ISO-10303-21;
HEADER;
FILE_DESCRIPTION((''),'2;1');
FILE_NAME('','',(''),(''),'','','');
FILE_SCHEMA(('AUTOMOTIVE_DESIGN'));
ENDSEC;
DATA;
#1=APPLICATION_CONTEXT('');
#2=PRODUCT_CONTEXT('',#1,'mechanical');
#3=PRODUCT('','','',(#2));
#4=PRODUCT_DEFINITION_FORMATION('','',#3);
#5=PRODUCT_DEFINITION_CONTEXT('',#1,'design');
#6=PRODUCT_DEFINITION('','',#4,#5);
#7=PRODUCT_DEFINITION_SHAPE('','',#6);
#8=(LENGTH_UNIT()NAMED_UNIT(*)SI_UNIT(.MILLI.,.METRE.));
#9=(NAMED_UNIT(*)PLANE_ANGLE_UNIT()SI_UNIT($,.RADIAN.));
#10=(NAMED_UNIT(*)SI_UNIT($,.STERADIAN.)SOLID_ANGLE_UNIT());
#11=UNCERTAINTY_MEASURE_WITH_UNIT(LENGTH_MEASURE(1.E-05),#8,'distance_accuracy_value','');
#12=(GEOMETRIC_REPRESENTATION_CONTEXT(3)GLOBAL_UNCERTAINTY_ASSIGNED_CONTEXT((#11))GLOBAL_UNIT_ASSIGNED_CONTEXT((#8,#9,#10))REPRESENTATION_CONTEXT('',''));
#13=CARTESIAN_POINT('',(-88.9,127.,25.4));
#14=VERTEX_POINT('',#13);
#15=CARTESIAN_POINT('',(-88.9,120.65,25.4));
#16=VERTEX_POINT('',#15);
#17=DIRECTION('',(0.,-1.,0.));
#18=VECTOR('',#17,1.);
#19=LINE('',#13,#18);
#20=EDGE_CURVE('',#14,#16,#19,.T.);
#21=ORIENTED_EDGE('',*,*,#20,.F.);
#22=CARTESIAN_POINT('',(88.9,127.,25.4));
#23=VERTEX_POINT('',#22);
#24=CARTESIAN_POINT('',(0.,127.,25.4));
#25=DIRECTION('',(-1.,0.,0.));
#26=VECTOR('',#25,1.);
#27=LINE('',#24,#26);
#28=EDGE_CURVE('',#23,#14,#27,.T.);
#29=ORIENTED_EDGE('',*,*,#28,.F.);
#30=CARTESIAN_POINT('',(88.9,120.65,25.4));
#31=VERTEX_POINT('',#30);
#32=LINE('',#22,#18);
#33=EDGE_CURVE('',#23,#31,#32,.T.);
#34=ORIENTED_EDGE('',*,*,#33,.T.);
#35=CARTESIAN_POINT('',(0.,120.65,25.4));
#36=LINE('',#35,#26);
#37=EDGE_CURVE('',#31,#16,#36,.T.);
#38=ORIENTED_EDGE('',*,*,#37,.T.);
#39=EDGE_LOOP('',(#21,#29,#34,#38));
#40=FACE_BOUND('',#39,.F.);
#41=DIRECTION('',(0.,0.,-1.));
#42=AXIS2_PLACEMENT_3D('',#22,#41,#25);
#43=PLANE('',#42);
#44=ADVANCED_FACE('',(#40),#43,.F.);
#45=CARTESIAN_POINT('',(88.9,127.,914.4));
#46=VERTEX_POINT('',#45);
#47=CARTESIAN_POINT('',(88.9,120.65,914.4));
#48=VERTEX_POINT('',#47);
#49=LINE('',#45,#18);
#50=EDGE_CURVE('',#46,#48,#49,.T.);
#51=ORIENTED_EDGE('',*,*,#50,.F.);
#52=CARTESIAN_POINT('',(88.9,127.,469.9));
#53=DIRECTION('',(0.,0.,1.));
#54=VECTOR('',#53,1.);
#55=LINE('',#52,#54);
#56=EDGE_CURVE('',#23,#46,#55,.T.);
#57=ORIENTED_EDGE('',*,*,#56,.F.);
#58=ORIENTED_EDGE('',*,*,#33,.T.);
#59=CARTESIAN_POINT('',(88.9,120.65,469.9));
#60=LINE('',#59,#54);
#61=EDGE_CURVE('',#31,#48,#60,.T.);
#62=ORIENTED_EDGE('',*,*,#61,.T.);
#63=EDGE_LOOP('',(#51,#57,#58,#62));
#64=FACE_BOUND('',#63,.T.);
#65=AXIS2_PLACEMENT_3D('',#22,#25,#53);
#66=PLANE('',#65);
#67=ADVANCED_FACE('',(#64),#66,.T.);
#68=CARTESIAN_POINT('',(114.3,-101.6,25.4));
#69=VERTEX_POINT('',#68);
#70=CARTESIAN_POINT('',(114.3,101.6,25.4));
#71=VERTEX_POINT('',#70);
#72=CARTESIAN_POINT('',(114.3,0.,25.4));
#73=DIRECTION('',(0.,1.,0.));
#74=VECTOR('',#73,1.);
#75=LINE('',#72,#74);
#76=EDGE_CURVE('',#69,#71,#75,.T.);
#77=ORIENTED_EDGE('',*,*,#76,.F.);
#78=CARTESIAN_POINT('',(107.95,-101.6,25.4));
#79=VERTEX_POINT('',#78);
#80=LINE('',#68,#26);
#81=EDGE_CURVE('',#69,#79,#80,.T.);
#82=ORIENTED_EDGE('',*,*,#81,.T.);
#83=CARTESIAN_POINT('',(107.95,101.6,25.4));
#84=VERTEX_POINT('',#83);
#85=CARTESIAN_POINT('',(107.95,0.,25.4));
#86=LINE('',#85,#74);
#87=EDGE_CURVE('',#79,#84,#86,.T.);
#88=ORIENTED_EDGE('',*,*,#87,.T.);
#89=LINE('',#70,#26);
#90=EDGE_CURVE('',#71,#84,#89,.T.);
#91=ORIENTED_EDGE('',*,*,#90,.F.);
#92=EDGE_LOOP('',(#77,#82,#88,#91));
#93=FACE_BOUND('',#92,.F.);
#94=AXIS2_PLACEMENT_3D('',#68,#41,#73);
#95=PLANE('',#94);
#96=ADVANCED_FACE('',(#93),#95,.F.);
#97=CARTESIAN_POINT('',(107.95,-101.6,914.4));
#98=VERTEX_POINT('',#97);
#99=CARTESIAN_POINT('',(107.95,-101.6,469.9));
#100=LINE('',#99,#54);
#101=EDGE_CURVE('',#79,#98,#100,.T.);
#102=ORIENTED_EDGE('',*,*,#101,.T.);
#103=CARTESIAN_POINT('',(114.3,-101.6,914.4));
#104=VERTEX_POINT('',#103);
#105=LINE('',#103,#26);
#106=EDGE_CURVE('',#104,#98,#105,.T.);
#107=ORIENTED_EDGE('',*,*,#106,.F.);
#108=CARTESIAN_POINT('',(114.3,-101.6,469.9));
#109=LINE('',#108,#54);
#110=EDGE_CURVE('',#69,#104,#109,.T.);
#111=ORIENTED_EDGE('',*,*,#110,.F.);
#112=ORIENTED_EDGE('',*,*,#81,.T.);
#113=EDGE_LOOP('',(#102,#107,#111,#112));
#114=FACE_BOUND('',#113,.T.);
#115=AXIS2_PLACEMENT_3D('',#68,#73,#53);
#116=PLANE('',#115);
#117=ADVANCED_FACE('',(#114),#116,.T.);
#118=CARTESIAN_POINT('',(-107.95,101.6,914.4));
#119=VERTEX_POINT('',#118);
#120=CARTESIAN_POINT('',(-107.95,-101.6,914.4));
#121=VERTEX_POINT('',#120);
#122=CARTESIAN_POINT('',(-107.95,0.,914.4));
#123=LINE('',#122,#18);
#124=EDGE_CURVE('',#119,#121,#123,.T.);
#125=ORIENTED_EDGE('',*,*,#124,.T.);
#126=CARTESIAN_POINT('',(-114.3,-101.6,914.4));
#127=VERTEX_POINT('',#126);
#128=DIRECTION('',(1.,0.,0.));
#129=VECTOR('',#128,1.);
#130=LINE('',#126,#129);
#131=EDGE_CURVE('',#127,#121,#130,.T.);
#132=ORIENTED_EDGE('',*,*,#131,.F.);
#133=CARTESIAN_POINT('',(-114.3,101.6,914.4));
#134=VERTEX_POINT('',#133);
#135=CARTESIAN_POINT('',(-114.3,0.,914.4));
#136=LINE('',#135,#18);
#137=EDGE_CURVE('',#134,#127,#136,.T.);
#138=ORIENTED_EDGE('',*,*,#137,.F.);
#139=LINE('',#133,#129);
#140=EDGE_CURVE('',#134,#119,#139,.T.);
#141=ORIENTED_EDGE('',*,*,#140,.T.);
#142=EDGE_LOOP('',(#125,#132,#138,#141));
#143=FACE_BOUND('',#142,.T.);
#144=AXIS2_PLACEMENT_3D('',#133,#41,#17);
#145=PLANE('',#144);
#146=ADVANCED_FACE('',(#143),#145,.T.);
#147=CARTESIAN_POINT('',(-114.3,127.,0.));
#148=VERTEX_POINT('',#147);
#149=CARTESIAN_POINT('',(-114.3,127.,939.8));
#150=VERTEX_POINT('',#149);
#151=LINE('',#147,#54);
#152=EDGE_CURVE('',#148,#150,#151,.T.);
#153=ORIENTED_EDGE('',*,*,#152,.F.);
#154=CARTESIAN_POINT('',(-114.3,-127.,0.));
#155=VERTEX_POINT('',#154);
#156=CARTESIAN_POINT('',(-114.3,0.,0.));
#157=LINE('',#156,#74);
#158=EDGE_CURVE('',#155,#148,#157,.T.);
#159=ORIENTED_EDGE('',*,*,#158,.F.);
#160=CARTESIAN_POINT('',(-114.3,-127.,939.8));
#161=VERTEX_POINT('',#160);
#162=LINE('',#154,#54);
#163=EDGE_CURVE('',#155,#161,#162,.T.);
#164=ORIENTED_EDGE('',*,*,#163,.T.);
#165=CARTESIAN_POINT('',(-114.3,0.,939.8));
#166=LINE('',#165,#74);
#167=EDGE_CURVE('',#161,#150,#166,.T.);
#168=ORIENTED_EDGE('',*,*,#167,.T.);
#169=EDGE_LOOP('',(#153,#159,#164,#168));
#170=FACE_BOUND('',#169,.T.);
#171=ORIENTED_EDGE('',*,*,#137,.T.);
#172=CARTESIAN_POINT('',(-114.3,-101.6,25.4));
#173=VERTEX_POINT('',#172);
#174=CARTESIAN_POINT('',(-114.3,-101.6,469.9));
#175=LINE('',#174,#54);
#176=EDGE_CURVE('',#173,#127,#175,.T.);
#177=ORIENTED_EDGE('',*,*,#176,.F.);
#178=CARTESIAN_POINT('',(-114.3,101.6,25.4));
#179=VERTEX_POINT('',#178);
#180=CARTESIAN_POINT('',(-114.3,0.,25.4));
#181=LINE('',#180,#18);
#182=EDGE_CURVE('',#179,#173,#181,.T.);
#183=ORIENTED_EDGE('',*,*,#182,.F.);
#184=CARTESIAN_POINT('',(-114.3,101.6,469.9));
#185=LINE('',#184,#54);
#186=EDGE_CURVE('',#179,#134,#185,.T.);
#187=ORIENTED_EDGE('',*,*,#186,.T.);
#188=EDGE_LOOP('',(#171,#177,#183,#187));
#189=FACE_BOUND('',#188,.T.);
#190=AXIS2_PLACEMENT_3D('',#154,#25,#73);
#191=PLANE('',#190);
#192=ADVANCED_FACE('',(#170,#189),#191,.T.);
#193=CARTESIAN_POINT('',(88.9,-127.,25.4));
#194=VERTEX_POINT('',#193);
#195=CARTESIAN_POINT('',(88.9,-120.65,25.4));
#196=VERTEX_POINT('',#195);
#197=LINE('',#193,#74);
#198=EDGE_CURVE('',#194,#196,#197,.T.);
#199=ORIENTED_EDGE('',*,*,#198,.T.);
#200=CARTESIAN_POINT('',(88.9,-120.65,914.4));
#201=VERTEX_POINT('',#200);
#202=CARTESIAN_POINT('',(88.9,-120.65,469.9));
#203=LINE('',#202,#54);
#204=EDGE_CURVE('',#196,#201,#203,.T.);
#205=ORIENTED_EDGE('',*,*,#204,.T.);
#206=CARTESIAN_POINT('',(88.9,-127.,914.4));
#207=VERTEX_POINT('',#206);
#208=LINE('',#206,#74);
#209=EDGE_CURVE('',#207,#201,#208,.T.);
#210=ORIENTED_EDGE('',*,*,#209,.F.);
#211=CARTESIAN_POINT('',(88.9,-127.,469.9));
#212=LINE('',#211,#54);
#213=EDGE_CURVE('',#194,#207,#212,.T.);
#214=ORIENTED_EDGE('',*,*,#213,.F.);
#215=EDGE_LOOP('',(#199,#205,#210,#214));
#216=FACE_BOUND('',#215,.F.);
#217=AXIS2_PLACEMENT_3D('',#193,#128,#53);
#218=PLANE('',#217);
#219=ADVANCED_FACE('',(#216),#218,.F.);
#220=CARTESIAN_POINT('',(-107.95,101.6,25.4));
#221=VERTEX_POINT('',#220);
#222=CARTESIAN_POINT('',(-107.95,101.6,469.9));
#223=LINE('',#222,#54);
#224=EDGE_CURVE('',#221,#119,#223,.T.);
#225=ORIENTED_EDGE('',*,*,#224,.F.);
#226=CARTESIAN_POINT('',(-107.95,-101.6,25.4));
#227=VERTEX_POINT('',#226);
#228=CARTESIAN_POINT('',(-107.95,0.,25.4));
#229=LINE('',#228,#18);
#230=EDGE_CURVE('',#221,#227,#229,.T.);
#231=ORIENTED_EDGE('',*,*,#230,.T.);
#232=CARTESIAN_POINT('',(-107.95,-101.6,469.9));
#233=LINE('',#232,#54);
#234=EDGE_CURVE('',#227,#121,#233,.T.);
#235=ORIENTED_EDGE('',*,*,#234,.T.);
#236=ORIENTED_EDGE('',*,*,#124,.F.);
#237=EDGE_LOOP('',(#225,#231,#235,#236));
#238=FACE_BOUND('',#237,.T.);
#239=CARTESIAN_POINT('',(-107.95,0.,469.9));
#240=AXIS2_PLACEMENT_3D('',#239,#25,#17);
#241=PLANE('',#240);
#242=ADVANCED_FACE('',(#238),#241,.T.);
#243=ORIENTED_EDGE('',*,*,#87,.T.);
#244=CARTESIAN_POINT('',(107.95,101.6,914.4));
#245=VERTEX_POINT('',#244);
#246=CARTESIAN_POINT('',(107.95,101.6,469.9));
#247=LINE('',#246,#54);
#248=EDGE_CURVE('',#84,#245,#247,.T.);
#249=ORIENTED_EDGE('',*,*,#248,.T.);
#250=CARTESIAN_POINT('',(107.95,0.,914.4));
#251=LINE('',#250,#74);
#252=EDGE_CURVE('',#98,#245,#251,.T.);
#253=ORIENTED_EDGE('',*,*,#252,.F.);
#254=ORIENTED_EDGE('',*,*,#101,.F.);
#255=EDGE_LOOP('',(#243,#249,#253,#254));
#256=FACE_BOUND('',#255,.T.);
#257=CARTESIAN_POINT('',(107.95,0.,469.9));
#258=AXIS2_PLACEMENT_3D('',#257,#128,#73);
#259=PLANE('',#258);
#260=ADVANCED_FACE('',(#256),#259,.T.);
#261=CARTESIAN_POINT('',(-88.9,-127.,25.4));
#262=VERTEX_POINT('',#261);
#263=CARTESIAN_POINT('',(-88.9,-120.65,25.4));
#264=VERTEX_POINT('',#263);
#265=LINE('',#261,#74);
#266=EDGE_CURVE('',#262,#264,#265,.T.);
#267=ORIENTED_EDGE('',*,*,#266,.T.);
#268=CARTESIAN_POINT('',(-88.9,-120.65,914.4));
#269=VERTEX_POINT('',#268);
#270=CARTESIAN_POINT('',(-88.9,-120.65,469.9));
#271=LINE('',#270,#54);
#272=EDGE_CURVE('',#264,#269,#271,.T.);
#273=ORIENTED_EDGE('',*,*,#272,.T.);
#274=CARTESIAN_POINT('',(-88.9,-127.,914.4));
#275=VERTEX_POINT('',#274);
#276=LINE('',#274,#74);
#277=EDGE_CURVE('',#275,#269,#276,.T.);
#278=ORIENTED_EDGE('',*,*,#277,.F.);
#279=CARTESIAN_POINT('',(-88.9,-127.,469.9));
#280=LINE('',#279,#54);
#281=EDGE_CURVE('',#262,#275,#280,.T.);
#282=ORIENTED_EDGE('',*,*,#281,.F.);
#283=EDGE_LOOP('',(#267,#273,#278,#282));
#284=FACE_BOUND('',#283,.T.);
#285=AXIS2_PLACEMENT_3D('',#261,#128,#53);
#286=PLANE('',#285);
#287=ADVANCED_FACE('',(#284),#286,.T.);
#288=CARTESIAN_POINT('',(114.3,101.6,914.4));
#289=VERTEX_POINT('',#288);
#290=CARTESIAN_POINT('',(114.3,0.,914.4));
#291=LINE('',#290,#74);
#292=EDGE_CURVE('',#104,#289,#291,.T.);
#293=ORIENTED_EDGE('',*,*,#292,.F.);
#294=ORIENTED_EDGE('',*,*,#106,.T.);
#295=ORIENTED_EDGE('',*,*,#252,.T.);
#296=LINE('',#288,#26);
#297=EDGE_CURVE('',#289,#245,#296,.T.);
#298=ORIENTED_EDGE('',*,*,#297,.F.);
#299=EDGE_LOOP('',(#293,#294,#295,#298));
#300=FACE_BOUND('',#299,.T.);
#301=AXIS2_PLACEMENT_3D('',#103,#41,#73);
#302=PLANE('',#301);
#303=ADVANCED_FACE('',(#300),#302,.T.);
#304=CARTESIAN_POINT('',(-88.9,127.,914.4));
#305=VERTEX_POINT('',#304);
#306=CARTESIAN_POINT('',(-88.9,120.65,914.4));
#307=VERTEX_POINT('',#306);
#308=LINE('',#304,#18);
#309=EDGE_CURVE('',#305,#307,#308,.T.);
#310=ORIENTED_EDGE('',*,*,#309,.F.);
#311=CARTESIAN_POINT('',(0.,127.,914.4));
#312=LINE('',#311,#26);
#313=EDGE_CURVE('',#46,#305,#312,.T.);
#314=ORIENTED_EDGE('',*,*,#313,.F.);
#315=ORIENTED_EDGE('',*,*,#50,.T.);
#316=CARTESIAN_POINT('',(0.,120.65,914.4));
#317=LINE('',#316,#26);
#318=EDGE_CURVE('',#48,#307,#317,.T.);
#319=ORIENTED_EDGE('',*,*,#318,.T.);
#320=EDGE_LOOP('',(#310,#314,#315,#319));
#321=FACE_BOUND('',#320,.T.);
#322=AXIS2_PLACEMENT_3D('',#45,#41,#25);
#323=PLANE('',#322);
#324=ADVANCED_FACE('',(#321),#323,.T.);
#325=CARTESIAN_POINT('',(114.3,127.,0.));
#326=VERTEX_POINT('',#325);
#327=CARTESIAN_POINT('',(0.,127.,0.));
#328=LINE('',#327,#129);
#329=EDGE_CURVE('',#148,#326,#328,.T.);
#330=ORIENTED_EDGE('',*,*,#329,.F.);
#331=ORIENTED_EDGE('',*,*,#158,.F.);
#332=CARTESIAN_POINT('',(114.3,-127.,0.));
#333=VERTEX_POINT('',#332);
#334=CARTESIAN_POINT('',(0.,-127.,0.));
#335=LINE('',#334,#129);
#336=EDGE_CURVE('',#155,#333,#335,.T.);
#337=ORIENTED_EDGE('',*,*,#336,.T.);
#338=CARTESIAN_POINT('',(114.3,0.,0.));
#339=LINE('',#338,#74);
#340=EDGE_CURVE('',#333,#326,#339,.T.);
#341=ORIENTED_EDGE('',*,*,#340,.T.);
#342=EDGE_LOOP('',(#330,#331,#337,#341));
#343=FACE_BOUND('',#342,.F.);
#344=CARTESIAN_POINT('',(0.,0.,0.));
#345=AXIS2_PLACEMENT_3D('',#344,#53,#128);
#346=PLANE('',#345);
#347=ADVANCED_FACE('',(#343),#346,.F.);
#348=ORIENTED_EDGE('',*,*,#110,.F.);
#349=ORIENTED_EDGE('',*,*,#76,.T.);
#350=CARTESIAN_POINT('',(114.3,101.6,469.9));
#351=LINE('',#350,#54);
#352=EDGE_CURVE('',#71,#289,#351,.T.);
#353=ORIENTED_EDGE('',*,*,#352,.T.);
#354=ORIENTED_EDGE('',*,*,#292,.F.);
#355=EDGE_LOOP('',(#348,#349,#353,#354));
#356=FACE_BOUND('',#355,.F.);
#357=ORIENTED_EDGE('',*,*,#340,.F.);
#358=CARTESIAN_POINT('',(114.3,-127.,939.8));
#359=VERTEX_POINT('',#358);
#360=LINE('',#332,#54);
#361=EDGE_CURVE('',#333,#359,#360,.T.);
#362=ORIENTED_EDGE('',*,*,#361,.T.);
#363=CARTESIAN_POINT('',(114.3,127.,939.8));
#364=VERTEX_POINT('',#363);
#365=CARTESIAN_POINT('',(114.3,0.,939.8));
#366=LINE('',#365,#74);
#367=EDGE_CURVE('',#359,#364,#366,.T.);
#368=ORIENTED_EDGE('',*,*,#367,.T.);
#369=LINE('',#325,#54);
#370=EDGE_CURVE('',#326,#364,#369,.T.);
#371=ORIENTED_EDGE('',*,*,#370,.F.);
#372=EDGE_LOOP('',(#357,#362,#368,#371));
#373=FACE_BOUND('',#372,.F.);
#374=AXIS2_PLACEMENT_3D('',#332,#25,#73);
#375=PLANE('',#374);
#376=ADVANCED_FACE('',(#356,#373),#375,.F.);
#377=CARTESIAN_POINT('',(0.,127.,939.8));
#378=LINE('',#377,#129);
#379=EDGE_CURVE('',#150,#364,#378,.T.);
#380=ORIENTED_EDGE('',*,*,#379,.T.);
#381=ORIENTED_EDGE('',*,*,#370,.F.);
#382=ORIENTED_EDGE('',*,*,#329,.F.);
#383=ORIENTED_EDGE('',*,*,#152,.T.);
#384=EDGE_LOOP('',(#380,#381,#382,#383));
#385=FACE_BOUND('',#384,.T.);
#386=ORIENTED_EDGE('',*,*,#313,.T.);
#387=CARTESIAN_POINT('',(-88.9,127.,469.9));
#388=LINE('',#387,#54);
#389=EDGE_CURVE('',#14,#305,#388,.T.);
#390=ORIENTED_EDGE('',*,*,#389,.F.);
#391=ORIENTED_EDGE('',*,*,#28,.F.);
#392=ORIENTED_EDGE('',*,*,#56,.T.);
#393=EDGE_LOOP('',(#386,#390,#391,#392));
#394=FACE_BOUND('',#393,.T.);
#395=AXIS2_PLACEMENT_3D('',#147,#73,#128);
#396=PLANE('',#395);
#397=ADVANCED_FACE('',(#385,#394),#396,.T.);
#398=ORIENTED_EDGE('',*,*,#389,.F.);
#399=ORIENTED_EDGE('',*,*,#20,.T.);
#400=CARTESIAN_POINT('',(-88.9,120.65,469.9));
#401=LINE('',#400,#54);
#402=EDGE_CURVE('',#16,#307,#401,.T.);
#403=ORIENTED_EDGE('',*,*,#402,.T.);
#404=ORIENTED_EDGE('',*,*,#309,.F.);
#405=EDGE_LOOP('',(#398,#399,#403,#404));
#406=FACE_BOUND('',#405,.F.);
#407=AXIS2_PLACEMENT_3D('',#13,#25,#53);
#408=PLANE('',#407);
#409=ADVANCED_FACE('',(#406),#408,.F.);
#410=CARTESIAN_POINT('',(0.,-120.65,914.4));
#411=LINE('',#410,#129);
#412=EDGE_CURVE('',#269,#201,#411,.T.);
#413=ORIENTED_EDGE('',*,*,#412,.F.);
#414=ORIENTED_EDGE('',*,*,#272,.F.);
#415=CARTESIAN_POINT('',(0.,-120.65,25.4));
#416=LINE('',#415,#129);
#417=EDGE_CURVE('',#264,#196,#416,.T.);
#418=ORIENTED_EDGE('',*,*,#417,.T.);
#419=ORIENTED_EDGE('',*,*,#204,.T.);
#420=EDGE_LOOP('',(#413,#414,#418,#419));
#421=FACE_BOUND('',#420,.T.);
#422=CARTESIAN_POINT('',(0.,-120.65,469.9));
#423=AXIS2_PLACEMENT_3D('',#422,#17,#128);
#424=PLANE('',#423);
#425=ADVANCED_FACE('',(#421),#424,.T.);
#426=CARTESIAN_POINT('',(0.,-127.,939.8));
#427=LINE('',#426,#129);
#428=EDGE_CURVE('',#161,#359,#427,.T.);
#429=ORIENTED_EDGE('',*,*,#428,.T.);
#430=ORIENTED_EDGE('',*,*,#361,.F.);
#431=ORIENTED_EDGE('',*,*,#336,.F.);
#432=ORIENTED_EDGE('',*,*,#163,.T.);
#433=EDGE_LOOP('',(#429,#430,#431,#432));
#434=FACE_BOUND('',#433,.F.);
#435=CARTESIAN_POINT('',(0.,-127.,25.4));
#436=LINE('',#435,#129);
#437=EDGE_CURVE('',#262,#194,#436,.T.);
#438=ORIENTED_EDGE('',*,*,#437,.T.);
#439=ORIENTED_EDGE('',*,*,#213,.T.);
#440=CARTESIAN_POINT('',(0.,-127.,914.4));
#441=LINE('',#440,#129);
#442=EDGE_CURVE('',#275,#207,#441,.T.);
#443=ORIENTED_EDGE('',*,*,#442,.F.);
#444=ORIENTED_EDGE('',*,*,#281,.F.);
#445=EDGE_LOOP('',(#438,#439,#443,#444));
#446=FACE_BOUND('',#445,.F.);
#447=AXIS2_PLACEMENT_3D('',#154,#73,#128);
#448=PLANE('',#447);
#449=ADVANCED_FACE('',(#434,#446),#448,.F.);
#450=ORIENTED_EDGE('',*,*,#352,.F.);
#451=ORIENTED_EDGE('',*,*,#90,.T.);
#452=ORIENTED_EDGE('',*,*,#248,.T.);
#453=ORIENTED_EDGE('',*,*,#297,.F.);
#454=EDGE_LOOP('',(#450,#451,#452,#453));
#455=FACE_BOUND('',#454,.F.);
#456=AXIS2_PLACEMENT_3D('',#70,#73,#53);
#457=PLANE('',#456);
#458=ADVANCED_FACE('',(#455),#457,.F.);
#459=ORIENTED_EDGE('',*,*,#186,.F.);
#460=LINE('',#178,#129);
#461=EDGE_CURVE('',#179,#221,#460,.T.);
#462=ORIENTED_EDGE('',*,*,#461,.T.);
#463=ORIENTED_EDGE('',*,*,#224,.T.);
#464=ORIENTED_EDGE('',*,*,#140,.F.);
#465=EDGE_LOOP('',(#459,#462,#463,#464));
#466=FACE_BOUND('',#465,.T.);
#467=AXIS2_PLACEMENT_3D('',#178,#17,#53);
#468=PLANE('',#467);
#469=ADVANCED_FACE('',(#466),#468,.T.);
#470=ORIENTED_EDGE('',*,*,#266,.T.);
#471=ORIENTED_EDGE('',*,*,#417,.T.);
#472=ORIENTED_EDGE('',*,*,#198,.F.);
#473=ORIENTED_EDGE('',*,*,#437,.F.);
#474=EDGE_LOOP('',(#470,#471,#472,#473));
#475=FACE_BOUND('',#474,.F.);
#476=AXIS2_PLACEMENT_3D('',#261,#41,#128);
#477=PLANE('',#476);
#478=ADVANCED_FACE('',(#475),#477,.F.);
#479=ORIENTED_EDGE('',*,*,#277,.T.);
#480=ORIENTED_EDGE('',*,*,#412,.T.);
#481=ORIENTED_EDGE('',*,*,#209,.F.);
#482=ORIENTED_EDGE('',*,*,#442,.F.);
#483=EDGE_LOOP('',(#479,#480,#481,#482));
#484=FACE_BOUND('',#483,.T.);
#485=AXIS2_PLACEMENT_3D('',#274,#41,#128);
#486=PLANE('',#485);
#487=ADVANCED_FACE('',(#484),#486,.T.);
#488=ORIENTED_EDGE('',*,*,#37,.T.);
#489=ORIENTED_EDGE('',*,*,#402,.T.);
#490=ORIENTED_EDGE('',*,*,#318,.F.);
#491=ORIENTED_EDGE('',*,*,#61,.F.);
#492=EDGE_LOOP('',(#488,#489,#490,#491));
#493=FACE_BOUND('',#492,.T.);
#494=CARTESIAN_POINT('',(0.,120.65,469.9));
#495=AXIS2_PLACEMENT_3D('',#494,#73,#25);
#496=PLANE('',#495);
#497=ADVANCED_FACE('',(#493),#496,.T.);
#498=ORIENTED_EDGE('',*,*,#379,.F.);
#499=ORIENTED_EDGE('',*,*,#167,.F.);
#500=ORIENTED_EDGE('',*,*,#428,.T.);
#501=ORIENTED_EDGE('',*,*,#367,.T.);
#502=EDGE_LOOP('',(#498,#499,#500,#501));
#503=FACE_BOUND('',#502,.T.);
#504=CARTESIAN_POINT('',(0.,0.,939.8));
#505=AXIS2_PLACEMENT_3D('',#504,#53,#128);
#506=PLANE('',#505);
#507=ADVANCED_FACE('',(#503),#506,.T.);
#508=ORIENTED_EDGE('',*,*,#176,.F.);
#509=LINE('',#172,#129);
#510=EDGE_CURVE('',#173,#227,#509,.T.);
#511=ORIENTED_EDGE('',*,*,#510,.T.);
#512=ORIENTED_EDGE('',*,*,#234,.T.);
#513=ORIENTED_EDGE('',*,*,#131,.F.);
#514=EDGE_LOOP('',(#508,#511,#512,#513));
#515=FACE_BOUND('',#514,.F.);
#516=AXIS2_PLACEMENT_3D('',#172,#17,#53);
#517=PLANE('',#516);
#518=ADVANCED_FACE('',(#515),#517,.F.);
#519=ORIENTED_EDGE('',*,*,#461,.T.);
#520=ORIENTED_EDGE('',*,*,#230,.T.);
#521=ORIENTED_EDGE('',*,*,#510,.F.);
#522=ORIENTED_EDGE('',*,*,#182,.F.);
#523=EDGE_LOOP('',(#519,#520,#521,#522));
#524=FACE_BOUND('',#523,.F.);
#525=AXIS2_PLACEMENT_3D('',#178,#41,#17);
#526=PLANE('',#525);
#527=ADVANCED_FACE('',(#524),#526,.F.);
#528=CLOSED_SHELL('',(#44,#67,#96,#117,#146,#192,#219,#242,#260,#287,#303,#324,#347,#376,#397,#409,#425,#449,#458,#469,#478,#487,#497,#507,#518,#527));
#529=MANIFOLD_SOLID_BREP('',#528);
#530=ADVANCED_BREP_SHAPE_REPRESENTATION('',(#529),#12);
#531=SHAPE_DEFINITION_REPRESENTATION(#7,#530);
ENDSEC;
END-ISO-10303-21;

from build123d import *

# Parameters (mm, degrees)
F0_W     = 228.6
F0_H     = 254
F1_DEPTH = 939.8
F2_W     = 177.8
F2_H     = 889
F3_DEPTH = 6.35
F4_W     = 203.2
F4_H     = 889
F5_DEPTH = 6.35
F6_W     = 177.8
F6_H     = 889
F7_DEPTH = 6.35
F8_W     = 203.2
F8_H     = 889
F9_DEPTH = 6.35


with BuildPart() as f1:
    # F0 (on Top) → F1 (new body)
    with BuildSketch(Plane.XY):
        Rectangle(F0_W, F0_H)
    extrude(amount=F1_DEPTH)

    # F2 (on face) → F3 (cut)
    with BuildSketch(Plane.XZ.offset(127)):
        with Locations((0, 469.9)):
            Rectangle(F2_W, F2_H)
    extrude(amount=-F3_DEPTH, mode=Mode.SUBTRACT)

    # F4 (on face) → F5 (cut)
    with BuildSketch(Plane.YZ.offset(114.3)):
        with Locations((0, 469.9)):
            Rectangle(F4_W, F4_H)
    extrude(amount=-F5_DEPTH, mode=Mode.SUBTRACT)

    # F6 (on face) → F7 (cut)
    with BuildSketch(Plane(origin=(0, 127, 0), x_dir=(-1, 0, 0), z_dir=(0, 1, 0))):
        with Locations((0, 469.9)):
            Rectangle(F6_W, F6_H)
    extrude(amount=-F7_DEPTH, mode=Mode.SUBTRACT)

    # F8 (on face) → F9 (cut)
    with BuildSketch(Plane(origin=(-114.3, 0, 0), x_dir=(0, -1, 0), z_dir=(-1, 0, 0))):
        with Locations((0, 469.9)):
            Rectangle(F8_W, F8_H)
    extrude(amount=-F9_DEPTH, mode=Mode.SUBTRACT)


solid = f1.part
